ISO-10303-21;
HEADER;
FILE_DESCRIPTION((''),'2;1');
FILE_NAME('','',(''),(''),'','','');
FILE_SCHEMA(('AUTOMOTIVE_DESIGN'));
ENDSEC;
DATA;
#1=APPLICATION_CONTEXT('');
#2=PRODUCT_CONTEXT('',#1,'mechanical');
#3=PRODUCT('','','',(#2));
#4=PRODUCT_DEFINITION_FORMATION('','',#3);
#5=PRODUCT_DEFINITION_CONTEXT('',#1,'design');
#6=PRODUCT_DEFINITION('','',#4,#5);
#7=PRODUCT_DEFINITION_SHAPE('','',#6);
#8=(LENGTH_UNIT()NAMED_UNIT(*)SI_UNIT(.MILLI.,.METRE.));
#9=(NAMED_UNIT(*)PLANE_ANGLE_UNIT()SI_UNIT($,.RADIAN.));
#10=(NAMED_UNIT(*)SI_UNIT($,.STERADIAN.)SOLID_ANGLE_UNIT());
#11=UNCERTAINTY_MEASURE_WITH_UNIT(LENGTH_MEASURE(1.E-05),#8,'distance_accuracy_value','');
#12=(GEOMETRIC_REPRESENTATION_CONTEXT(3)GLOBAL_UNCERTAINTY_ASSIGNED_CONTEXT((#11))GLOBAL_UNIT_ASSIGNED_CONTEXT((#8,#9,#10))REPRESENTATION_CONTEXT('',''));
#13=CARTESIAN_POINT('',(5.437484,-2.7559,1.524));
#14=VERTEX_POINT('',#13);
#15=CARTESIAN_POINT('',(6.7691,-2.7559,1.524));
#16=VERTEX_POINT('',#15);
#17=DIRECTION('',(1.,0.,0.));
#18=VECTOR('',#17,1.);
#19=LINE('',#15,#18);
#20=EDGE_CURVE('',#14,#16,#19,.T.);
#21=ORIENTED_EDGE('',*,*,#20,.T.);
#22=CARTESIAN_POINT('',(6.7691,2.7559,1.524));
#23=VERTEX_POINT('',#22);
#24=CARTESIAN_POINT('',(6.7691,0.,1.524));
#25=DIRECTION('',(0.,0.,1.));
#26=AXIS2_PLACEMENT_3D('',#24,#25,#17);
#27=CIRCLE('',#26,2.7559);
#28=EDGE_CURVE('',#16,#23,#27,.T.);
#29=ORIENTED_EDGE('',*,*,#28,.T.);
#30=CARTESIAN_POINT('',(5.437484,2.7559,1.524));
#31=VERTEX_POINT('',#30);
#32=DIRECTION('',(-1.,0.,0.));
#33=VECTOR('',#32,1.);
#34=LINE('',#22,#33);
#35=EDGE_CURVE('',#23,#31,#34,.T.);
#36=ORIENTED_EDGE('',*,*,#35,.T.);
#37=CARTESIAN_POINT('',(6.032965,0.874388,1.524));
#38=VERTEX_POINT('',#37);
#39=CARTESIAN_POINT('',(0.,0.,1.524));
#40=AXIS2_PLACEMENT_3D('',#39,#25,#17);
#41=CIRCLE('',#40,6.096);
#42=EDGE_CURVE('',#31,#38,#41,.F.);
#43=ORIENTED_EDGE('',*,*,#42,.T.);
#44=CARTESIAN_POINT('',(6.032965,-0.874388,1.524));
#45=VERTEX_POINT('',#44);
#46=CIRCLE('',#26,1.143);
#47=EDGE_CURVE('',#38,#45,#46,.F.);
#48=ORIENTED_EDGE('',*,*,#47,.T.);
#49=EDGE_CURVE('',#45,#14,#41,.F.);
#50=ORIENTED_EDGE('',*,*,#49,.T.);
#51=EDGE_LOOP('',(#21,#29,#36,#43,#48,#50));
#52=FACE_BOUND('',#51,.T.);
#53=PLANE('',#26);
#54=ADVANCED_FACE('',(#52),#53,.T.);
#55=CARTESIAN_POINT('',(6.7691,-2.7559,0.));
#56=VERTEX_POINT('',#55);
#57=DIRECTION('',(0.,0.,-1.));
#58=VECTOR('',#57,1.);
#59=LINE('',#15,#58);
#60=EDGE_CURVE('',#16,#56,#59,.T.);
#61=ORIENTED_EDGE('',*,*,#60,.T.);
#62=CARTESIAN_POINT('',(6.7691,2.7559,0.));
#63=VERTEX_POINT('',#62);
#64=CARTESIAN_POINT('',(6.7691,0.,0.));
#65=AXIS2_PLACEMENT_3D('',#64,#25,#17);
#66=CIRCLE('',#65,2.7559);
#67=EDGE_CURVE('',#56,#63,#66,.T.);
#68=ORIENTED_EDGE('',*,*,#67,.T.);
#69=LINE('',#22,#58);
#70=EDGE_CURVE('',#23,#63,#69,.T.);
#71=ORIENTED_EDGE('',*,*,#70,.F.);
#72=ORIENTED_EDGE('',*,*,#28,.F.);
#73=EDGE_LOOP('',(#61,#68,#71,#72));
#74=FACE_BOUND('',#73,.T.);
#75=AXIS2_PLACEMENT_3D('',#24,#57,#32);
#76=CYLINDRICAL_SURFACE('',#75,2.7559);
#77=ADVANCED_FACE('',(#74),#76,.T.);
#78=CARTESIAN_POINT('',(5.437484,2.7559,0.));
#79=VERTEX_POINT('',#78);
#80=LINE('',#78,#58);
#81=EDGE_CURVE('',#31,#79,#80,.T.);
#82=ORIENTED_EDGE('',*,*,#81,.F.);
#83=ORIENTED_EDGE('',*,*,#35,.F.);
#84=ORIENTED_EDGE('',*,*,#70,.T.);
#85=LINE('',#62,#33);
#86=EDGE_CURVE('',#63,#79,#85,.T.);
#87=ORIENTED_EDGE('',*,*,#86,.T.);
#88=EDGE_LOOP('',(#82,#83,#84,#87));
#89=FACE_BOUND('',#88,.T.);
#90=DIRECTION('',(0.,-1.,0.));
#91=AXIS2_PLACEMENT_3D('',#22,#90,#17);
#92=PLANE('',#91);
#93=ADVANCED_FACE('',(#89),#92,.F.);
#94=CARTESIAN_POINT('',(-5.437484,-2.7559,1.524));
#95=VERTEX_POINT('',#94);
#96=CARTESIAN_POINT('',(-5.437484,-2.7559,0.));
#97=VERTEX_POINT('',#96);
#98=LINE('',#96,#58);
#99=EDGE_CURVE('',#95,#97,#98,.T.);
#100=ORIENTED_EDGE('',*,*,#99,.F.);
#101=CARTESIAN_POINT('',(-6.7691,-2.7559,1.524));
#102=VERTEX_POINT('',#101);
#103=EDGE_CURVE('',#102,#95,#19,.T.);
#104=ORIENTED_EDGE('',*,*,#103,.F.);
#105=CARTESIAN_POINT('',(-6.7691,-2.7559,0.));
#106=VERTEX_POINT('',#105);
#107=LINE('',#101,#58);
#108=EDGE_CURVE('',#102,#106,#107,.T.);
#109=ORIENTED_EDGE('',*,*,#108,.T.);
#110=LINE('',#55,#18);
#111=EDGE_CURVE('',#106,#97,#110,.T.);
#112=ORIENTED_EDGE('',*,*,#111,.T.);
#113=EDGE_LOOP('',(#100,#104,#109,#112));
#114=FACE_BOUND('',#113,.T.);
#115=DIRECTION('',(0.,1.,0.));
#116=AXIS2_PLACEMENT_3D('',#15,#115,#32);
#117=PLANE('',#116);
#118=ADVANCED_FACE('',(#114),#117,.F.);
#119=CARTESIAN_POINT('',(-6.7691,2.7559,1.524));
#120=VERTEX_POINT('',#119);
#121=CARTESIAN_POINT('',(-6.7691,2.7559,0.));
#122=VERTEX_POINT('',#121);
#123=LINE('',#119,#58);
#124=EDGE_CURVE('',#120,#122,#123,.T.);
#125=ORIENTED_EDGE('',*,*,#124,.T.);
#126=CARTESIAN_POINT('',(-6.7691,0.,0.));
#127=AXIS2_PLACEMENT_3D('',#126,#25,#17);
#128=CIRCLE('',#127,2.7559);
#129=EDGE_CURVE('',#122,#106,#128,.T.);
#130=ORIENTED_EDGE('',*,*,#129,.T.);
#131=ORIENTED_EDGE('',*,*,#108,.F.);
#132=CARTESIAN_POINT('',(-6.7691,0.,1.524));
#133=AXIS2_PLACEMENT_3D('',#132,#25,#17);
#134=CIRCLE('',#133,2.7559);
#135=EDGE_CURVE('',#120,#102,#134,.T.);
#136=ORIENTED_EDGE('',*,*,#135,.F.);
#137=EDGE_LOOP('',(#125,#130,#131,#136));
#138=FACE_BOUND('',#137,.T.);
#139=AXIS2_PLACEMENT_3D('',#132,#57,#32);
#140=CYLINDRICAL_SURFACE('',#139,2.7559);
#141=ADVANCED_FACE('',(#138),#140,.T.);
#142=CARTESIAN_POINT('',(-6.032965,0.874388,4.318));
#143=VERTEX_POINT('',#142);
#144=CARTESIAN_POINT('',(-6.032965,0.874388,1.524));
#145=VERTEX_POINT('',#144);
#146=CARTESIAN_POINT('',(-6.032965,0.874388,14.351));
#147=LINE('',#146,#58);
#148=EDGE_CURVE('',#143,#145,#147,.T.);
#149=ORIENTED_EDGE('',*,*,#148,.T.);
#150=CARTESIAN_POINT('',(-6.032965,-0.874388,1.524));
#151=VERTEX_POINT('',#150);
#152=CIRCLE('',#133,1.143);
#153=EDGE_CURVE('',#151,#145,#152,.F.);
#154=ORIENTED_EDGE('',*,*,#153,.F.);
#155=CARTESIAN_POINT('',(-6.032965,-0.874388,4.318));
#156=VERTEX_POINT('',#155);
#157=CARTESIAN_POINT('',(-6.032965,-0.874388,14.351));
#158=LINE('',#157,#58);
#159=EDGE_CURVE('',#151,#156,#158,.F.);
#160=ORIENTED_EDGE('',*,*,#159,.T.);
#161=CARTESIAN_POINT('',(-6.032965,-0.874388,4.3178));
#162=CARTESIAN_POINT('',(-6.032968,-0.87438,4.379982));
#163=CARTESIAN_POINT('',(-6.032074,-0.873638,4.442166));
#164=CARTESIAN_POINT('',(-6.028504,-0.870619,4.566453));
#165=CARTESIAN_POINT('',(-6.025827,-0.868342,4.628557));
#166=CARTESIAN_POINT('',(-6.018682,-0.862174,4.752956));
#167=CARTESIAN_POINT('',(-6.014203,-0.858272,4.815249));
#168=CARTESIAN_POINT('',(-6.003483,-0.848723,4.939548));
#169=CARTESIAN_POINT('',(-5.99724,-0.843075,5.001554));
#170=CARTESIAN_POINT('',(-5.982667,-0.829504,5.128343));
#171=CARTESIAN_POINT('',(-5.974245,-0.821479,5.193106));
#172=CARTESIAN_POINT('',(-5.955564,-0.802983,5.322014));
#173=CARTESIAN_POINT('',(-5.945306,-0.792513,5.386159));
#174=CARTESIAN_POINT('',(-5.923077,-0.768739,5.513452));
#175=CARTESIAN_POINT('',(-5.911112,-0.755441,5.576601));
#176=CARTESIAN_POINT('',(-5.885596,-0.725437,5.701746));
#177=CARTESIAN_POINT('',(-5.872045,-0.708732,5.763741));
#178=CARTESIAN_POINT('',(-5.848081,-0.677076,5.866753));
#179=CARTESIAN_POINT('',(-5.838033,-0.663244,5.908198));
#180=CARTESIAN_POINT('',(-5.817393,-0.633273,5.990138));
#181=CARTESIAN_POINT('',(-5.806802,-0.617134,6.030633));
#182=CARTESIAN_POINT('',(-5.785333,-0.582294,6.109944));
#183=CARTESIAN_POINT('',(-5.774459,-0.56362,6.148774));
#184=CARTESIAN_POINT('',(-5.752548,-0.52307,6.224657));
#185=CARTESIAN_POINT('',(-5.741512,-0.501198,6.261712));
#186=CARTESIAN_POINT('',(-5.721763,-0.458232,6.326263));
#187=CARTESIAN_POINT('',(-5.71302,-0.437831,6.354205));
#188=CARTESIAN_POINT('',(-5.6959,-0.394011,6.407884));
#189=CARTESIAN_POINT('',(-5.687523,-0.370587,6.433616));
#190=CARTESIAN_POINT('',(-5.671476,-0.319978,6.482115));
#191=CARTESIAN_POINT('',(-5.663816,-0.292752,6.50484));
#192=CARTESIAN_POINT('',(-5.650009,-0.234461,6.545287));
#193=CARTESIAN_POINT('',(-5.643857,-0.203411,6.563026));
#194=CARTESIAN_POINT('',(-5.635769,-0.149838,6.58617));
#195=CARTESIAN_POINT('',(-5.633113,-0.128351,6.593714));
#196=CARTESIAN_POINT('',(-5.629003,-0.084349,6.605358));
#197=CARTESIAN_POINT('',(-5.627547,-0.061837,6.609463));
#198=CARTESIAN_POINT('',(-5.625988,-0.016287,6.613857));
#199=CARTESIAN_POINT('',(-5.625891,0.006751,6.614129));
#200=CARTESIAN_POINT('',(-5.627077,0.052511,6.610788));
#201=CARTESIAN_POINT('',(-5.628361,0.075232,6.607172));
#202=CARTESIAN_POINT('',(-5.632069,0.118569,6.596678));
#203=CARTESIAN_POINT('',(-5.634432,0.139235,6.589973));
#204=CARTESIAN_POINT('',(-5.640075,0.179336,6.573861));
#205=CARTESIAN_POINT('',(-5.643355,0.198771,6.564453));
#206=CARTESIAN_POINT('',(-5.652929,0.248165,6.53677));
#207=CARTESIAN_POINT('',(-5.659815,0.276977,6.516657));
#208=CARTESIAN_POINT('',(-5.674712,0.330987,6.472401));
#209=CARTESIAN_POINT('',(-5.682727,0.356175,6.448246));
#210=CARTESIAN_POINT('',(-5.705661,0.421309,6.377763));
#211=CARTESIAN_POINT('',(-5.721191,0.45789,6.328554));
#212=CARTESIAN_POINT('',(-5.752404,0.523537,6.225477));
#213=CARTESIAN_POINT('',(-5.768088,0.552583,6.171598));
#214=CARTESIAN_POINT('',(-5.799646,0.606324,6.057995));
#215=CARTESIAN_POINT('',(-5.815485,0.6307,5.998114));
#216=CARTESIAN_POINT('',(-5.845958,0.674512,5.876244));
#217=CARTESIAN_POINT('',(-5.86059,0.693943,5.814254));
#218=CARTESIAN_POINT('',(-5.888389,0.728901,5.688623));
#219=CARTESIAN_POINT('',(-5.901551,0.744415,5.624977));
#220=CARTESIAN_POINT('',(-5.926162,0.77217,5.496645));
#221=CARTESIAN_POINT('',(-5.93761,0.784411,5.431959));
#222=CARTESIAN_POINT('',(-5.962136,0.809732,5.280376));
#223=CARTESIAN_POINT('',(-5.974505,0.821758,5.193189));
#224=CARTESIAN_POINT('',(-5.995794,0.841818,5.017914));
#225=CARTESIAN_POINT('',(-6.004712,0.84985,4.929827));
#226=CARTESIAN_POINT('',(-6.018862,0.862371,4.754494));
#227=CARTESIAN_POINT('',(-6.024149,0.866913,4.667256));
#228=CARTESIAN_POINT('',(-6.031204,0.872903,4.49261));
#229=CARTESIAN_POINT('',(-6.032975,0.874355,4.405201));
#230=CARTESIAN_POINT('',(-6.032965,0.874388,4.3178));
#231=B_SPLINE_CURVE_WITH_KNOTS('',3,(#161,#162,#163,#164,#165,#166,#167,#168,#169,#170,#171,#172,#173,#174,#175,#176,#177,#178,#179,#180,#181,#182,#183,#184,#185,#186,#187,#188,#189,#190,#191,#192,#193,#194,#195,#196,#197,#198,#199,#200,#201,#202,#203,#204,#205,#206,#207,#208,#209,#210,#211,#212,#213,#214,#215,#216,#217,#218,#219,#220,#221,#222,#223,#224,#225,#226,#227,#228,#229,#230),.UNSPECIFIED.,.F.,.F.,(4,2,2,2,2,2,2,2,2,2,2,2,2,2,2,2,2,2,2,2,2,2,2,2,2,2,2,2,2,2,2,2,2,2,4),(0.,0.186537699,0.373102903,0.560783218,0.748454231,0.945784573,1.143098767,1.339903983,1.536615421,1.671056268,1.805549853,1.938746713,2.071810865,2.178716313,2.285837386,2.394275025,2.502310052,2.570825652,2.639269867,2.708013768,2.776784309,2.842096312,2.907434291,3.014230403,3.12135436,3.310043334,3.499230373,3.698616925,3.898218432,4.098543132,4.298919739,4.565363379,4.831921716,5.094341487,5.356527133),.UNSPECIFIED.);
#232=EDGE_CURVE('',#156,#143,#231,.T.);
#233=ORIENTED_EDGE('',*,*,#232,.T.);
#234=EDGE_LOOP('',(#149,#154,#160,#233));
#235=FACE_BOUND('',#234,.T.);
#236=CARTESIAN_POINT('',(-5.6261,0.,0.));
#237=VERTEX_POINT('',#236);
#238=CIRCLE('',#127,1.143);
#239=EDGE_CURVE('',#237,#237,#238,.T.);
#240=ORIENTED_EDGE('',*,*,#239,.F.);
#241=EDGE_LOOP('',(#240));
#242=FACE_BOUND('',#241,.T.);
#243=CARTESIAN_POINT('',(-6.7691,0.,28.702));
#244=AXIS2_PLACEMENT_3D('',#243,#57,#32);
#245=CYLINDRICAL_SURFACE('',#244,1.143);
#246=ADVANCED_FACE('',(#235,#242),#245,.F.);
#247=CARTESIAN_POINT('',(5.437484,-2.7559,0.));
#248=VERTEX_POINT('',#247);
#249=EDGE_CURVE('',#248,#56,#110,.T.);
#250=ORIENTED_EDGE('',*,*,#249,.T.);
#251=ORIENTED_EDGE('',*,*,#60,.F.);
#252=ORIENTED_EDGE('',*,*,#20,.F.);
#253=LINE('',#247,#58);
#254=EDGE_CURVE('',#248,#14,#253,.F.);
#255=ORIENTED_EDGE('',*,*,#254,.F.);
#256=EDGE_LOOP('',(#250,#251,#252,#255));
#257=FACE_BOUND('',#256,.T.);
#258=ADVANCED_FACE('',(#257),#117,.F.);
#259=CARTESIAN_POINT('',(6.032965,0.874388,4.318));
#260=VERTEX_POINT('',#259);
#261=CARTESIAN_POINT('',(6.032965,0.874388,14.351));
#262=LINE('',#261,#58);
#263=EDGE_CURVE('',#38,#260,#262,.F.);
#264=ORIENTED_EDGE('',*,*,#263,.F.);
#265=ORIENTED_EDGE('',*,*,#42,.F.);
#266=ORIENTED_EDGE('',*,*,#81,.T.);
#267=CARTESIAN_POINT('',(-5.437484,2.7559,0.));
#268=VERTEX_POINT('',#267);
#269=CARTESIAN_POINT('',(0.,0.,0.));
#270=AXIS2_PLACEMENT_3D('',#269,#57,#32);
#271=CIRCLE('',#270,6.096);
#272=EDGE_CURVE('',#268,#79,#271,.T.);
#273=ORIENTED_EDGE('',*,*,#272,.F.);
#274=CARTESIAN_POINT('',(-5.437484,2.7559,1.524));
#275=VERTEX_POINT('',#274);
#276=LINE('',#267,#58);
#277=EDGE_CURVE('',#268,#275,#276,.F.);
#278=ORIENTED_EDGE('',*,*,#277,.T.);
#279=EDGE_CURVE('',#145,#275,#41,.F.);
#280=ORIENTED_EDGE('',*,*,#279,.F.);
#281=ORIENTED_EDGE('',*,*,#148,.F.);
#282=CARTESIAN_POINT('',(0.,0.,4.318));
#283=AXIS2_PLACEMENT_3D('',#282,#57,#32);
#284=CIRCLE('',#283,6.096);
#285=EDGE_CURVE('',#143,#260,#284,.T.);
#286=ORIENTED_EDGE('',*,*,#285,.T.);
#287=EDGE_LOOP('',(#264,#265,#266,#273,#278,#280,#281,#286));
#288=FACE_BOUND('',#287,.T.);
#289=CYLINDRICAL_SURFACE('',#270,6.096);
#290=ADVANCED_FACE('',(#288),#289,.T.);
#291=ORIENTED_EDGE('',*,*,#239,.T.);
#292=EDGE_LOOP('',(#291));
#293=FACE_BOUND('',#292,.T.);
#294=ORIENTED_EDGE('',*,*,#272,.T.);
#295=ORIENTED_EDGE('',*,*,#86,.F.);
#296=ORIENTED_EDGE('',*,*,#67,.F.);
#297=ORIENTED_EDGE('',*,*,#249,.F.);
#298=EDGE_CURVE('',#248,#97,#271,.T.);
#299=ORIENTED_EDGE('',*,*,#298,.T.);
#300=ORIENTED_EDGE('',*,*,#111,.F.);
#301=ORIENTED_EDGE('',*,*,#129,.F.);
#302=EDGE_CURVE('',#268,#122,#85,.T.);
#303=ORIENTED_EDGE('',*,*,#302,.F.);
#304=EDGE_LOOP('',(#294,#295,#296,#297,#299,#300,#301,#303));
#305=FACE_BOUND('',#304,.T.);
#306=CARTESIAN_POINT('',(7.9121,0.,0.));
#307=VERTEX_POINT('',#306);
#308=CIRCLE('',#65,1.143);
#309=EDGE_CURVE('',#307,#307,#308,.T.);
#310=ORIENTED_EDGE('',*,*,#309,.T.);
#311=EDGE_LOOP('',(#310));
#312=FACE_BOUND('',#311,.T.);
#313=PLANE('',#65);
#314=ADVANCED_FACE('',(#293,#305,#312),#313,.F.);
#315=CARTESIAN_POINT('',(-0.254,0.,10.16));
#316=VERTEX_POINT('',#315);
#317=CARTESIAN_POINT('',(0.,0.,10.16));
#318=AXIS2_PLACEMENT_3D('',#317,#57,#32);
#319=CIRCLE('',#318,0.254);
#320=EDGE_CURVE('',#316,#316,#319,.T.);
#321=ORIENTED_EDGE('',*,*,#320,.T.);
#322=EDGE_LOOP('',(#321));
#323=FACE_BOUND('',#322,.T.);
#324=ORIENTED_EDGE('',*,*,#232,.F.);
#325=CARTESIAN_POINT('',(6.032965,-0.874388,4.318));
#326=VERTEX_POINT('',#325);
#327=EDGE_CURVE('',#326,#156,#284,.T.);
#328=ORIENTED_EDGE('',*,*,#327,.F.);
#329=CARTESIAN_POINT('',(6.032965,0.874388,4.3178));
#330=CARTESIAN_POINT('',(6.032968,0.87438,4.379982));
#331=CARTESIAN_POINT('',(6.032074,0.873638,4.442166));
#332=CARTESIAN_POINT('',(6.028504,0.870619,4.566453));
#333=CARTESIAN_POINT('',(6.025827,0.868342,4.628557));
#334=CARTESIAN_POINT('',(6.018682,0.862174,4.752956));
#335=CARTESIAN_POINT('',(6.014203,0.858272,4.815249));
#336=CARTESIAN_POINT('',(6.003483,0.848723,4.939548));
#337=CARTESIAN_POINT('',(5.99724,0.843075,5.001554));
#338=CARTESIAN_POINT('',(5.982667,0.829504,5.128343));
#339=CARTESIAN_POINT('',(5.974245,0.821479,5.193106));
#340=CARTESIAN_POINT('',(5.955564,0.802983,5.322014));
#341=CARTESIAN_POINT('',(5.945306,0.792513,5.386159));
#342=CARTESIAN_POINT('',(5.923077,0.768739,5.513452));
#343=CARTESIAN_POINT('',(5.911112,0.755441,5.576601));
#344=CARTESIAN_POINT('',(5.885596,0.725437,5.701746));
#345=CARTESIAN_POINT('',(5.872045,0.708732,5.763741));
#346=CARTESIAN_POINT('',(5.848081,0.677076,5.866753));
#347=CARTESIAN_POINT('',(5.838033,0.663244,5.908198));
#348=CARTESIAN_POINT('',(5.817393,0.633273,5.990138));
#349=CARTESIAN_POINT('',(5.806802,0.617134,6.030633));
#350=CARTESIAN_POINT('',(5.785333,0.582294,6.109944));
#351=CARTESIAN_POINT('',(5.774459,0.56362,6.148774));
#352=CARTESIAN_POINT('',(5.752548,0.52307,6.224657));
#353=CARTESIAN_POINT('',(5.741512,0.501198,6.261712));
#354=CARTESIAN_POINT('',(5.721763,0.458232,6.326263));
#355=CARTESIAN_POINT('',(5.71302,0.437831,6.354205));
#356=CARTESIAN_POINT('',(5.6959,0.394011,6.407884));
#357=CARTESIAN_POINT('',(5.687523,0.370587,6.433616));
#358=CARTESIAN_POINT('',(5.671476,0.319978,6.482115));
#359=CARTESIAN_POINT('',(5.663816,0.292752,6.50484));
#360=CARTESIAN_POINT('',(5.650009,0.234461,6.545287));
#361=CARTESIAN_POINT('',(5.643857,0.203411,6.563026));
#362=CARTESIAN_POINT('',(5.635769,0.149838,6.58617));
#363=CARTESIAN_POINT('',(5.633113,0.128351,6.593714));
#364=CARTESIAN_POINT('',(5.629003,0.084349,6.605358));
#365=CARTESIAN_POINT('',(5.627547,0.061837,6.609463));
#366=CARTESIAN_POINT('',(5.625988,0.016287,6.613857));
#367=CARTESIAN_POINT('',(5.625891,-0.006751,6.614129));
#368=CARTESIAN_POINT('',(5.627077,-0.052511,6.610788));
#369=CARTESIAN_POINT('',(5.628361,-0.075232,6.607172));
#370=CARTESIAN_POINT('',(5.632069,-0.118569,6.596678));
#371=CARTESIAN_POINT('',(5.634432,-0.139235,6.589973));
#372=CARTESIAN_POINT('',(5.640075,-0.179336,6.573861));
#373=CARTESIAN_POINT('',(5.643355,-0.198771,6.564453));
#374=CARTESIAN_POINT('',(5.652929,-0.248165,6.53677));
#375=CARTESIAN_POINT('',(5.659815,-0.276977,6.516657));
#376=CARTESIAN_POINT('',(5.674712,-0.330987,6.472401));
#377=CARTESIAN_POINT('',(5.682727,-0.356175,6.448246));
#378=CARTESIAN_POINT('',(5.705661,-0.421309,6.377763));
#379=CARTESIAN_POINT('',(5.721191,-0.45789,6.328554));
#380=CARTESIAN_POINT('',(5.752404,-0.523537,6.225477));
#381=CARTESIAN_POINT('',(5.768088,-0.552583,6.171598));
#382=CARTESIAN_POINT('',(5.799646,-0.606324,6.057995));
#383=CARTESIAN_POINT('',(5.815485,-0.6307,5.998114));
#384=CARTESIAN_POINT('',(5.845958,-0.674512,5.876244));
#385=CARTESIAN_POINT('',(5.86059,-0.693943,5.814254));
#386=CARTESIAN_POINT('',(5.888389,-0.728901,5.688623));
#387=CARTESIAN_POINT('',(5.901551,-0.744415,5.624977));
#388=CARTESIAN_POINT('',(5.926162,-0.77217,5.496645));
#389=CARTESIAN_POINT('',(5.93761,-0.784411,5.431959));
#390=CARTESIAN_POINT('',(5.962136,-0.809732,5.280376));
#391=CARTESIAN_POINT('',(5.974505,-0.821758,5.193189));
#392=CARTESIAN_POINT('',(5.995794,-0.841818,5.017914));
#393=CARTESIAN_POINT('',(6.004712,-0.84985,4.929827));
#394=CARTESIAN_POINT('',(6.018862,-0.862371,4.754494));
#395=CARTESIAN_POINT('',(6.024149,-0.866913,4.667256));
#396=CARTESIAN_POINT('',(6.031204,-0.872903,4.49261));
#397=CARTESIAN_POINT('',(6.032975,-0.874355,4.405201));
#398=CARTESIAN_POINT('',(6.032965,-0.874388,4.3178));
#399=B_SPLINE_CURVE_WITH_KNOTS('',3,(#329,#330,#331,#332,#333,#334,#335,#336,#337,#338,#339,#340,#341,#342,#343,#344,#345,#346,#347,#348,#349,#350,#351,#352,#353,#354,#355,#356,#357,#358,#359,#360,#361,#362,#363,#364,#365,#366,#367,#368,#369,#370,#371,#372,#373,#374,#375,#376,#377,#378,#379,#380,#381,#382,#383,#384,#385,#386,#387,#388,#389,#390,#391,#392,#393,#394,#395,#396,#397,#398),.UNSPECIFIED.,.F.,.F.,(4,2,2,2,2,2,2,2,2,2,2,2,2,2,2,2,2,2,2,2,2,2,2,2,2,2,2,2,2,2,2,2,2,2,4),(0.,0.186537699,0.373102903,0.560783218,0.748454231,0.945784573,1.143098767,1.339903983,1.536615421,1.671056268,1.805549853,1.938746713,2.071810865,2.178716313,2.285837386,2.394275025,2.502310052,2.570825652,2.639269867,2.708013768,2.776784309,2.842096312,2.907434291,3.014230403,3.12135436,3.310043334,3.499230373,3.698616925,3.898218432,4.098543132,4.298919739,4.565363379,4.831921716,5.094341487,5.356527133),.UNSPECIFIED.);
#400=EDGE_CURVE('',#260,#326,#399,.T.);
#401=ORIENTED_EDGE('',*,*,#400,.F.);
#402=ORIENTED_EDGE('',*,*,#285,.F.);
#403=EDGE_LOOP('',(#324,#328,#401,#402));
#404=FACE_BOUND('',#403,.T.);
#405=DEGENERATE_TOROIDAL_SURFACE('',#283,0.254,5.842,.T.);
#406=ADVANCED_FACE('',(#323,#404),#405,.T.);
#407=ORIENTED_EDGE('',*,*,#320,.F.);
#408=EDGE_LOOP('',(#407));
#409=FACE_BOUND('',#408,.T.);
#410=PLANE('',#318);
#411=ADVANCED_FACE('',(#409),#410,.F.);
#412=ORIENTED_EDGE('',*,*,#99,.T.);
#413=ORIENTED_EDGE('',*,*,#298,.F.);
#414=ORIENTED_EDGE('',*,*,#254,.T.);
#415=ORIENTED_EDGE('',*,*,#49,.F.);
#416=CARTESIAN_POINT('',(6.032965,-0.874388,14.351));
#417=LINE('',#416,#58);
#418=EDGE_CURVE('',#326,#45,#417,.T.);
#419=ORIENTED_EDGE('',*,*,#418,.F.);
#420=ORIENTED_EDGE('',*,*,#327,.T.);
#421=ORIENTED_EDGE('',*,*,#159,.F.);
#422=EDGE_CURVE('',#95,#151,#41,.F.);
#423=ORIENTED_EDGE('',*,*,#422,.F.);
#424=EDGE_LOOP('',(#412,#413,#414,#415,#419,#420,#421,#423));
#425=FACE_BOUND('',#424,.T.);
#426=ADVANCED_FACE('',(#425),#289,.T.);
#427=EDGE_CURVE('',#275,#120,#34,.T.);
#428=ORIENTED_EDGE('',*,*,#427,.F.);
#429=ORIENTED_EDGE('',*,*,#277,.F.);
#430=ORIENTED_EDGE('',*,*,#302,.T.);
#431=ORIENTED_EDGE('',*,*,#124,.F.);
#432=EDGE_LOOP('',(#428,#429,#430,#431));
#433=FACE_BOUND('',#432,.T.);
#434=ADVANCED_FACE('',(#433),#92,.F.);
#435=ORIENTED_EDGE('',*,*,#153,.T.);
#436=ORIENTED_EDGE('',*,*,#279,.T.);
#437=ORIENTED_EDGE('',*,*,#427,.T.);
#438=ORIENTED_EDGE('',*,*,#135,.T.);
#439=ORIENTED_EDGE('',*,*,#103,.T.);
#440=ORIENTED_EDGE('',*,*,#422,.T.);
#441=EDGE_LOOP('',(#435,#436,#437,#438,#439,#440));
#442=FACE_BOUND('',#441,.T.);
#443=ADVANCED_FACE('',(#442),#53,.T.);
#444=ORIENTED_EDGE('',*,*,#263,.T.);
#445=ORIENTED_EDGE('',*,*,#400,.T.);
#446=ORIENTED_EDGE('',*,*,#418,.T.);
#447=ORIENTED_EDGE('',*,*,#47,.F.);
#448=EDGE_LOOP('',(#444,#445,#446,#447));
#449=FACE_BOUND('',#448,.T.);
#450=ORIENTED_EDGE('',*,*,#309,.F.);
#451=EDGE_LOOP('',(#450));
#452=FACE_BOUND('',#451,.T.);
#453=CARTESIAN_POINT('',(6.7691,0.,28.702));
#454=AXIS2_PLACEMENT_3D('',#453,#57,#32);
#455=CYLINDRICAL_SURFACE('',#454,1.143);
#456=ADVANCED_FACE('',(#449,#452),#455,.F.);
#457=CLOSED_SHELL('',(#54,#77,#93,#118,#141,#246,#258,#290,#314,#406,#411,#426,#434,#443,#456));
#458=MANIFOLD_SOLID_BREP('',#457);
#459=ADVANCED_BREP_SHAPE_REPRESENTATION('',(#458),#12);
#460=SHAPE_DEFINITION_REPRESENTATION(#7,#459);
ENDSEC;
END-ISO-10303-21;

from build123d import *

# Parameters (mm, degrees)
BOSS_EXTRUDE1_DEPTH = 1.524
SKETCH4_R           = 1.143
CUT_EXTRUDE6_DEPTH  = 28.702


with BuildPart() as part:
    # Sketch1 → Boss-Extrude1 (new body)
    with BuildSketch(Plane.XY):
        with BuildLine():
            Line((6.7691, -2.7559), (-6.7691, -2.7559))
            ThreePointArc((-6.7691, -2.7559), (-9.525, 0), (-6.7691, 2.7559))
            Line((-6.7691, 2.7559), (6.7691, 2.7559))
            ThreePointArc((6.7691, 2.7559), (9.525, 0), (6.7691, -2.7559))
        make_face()
    extrude(amount=BOSS_EXTRUDE1_DEPTH)

    # Sketch2 → Revolve2 (revolve)
    with BuildSketch(Plane(origin=(0, 0, 0), x_dir=(1, 0, 0), z_dir=(0, 1, 0)), mode=Mode.PRIVATE) as revolve2_sk:
        with BuildLine():
            Line((0, 0), (6.096, 0))
            Line((6.096, 0), (6.096, -4.318))
            ThreePointArc((6.096, -4.318), (4.384917816, -8.448917816), (0.254, -10.16))
            Line((0.254, -10.16), (0, -10.16))
            Line((0, -10.16), (0, 0))
        make_face()
    revolve(revolve2_sk.sketch.rotate(Axis((0, 0, 0), (0, 0, 1)), 180), axis=Axis((0, 0, 0), (0, 0, 1)))

    # Sketch4 → Cut-Extrude6 (cut)
    with BuildSketch(Plane.XY):
        with Locations((-6.7691, 0)):
            Circle(SKETCH4_R)
        with Locations(Location((6.7691, 0, 0), (0, 0, 130.093582501))):
            Circle(SKETCH4_R)
    extrude(amount=CUT_EXTRUDE6_DEPTH, mode=Mode.SUBTRACT)


solid = part.part
